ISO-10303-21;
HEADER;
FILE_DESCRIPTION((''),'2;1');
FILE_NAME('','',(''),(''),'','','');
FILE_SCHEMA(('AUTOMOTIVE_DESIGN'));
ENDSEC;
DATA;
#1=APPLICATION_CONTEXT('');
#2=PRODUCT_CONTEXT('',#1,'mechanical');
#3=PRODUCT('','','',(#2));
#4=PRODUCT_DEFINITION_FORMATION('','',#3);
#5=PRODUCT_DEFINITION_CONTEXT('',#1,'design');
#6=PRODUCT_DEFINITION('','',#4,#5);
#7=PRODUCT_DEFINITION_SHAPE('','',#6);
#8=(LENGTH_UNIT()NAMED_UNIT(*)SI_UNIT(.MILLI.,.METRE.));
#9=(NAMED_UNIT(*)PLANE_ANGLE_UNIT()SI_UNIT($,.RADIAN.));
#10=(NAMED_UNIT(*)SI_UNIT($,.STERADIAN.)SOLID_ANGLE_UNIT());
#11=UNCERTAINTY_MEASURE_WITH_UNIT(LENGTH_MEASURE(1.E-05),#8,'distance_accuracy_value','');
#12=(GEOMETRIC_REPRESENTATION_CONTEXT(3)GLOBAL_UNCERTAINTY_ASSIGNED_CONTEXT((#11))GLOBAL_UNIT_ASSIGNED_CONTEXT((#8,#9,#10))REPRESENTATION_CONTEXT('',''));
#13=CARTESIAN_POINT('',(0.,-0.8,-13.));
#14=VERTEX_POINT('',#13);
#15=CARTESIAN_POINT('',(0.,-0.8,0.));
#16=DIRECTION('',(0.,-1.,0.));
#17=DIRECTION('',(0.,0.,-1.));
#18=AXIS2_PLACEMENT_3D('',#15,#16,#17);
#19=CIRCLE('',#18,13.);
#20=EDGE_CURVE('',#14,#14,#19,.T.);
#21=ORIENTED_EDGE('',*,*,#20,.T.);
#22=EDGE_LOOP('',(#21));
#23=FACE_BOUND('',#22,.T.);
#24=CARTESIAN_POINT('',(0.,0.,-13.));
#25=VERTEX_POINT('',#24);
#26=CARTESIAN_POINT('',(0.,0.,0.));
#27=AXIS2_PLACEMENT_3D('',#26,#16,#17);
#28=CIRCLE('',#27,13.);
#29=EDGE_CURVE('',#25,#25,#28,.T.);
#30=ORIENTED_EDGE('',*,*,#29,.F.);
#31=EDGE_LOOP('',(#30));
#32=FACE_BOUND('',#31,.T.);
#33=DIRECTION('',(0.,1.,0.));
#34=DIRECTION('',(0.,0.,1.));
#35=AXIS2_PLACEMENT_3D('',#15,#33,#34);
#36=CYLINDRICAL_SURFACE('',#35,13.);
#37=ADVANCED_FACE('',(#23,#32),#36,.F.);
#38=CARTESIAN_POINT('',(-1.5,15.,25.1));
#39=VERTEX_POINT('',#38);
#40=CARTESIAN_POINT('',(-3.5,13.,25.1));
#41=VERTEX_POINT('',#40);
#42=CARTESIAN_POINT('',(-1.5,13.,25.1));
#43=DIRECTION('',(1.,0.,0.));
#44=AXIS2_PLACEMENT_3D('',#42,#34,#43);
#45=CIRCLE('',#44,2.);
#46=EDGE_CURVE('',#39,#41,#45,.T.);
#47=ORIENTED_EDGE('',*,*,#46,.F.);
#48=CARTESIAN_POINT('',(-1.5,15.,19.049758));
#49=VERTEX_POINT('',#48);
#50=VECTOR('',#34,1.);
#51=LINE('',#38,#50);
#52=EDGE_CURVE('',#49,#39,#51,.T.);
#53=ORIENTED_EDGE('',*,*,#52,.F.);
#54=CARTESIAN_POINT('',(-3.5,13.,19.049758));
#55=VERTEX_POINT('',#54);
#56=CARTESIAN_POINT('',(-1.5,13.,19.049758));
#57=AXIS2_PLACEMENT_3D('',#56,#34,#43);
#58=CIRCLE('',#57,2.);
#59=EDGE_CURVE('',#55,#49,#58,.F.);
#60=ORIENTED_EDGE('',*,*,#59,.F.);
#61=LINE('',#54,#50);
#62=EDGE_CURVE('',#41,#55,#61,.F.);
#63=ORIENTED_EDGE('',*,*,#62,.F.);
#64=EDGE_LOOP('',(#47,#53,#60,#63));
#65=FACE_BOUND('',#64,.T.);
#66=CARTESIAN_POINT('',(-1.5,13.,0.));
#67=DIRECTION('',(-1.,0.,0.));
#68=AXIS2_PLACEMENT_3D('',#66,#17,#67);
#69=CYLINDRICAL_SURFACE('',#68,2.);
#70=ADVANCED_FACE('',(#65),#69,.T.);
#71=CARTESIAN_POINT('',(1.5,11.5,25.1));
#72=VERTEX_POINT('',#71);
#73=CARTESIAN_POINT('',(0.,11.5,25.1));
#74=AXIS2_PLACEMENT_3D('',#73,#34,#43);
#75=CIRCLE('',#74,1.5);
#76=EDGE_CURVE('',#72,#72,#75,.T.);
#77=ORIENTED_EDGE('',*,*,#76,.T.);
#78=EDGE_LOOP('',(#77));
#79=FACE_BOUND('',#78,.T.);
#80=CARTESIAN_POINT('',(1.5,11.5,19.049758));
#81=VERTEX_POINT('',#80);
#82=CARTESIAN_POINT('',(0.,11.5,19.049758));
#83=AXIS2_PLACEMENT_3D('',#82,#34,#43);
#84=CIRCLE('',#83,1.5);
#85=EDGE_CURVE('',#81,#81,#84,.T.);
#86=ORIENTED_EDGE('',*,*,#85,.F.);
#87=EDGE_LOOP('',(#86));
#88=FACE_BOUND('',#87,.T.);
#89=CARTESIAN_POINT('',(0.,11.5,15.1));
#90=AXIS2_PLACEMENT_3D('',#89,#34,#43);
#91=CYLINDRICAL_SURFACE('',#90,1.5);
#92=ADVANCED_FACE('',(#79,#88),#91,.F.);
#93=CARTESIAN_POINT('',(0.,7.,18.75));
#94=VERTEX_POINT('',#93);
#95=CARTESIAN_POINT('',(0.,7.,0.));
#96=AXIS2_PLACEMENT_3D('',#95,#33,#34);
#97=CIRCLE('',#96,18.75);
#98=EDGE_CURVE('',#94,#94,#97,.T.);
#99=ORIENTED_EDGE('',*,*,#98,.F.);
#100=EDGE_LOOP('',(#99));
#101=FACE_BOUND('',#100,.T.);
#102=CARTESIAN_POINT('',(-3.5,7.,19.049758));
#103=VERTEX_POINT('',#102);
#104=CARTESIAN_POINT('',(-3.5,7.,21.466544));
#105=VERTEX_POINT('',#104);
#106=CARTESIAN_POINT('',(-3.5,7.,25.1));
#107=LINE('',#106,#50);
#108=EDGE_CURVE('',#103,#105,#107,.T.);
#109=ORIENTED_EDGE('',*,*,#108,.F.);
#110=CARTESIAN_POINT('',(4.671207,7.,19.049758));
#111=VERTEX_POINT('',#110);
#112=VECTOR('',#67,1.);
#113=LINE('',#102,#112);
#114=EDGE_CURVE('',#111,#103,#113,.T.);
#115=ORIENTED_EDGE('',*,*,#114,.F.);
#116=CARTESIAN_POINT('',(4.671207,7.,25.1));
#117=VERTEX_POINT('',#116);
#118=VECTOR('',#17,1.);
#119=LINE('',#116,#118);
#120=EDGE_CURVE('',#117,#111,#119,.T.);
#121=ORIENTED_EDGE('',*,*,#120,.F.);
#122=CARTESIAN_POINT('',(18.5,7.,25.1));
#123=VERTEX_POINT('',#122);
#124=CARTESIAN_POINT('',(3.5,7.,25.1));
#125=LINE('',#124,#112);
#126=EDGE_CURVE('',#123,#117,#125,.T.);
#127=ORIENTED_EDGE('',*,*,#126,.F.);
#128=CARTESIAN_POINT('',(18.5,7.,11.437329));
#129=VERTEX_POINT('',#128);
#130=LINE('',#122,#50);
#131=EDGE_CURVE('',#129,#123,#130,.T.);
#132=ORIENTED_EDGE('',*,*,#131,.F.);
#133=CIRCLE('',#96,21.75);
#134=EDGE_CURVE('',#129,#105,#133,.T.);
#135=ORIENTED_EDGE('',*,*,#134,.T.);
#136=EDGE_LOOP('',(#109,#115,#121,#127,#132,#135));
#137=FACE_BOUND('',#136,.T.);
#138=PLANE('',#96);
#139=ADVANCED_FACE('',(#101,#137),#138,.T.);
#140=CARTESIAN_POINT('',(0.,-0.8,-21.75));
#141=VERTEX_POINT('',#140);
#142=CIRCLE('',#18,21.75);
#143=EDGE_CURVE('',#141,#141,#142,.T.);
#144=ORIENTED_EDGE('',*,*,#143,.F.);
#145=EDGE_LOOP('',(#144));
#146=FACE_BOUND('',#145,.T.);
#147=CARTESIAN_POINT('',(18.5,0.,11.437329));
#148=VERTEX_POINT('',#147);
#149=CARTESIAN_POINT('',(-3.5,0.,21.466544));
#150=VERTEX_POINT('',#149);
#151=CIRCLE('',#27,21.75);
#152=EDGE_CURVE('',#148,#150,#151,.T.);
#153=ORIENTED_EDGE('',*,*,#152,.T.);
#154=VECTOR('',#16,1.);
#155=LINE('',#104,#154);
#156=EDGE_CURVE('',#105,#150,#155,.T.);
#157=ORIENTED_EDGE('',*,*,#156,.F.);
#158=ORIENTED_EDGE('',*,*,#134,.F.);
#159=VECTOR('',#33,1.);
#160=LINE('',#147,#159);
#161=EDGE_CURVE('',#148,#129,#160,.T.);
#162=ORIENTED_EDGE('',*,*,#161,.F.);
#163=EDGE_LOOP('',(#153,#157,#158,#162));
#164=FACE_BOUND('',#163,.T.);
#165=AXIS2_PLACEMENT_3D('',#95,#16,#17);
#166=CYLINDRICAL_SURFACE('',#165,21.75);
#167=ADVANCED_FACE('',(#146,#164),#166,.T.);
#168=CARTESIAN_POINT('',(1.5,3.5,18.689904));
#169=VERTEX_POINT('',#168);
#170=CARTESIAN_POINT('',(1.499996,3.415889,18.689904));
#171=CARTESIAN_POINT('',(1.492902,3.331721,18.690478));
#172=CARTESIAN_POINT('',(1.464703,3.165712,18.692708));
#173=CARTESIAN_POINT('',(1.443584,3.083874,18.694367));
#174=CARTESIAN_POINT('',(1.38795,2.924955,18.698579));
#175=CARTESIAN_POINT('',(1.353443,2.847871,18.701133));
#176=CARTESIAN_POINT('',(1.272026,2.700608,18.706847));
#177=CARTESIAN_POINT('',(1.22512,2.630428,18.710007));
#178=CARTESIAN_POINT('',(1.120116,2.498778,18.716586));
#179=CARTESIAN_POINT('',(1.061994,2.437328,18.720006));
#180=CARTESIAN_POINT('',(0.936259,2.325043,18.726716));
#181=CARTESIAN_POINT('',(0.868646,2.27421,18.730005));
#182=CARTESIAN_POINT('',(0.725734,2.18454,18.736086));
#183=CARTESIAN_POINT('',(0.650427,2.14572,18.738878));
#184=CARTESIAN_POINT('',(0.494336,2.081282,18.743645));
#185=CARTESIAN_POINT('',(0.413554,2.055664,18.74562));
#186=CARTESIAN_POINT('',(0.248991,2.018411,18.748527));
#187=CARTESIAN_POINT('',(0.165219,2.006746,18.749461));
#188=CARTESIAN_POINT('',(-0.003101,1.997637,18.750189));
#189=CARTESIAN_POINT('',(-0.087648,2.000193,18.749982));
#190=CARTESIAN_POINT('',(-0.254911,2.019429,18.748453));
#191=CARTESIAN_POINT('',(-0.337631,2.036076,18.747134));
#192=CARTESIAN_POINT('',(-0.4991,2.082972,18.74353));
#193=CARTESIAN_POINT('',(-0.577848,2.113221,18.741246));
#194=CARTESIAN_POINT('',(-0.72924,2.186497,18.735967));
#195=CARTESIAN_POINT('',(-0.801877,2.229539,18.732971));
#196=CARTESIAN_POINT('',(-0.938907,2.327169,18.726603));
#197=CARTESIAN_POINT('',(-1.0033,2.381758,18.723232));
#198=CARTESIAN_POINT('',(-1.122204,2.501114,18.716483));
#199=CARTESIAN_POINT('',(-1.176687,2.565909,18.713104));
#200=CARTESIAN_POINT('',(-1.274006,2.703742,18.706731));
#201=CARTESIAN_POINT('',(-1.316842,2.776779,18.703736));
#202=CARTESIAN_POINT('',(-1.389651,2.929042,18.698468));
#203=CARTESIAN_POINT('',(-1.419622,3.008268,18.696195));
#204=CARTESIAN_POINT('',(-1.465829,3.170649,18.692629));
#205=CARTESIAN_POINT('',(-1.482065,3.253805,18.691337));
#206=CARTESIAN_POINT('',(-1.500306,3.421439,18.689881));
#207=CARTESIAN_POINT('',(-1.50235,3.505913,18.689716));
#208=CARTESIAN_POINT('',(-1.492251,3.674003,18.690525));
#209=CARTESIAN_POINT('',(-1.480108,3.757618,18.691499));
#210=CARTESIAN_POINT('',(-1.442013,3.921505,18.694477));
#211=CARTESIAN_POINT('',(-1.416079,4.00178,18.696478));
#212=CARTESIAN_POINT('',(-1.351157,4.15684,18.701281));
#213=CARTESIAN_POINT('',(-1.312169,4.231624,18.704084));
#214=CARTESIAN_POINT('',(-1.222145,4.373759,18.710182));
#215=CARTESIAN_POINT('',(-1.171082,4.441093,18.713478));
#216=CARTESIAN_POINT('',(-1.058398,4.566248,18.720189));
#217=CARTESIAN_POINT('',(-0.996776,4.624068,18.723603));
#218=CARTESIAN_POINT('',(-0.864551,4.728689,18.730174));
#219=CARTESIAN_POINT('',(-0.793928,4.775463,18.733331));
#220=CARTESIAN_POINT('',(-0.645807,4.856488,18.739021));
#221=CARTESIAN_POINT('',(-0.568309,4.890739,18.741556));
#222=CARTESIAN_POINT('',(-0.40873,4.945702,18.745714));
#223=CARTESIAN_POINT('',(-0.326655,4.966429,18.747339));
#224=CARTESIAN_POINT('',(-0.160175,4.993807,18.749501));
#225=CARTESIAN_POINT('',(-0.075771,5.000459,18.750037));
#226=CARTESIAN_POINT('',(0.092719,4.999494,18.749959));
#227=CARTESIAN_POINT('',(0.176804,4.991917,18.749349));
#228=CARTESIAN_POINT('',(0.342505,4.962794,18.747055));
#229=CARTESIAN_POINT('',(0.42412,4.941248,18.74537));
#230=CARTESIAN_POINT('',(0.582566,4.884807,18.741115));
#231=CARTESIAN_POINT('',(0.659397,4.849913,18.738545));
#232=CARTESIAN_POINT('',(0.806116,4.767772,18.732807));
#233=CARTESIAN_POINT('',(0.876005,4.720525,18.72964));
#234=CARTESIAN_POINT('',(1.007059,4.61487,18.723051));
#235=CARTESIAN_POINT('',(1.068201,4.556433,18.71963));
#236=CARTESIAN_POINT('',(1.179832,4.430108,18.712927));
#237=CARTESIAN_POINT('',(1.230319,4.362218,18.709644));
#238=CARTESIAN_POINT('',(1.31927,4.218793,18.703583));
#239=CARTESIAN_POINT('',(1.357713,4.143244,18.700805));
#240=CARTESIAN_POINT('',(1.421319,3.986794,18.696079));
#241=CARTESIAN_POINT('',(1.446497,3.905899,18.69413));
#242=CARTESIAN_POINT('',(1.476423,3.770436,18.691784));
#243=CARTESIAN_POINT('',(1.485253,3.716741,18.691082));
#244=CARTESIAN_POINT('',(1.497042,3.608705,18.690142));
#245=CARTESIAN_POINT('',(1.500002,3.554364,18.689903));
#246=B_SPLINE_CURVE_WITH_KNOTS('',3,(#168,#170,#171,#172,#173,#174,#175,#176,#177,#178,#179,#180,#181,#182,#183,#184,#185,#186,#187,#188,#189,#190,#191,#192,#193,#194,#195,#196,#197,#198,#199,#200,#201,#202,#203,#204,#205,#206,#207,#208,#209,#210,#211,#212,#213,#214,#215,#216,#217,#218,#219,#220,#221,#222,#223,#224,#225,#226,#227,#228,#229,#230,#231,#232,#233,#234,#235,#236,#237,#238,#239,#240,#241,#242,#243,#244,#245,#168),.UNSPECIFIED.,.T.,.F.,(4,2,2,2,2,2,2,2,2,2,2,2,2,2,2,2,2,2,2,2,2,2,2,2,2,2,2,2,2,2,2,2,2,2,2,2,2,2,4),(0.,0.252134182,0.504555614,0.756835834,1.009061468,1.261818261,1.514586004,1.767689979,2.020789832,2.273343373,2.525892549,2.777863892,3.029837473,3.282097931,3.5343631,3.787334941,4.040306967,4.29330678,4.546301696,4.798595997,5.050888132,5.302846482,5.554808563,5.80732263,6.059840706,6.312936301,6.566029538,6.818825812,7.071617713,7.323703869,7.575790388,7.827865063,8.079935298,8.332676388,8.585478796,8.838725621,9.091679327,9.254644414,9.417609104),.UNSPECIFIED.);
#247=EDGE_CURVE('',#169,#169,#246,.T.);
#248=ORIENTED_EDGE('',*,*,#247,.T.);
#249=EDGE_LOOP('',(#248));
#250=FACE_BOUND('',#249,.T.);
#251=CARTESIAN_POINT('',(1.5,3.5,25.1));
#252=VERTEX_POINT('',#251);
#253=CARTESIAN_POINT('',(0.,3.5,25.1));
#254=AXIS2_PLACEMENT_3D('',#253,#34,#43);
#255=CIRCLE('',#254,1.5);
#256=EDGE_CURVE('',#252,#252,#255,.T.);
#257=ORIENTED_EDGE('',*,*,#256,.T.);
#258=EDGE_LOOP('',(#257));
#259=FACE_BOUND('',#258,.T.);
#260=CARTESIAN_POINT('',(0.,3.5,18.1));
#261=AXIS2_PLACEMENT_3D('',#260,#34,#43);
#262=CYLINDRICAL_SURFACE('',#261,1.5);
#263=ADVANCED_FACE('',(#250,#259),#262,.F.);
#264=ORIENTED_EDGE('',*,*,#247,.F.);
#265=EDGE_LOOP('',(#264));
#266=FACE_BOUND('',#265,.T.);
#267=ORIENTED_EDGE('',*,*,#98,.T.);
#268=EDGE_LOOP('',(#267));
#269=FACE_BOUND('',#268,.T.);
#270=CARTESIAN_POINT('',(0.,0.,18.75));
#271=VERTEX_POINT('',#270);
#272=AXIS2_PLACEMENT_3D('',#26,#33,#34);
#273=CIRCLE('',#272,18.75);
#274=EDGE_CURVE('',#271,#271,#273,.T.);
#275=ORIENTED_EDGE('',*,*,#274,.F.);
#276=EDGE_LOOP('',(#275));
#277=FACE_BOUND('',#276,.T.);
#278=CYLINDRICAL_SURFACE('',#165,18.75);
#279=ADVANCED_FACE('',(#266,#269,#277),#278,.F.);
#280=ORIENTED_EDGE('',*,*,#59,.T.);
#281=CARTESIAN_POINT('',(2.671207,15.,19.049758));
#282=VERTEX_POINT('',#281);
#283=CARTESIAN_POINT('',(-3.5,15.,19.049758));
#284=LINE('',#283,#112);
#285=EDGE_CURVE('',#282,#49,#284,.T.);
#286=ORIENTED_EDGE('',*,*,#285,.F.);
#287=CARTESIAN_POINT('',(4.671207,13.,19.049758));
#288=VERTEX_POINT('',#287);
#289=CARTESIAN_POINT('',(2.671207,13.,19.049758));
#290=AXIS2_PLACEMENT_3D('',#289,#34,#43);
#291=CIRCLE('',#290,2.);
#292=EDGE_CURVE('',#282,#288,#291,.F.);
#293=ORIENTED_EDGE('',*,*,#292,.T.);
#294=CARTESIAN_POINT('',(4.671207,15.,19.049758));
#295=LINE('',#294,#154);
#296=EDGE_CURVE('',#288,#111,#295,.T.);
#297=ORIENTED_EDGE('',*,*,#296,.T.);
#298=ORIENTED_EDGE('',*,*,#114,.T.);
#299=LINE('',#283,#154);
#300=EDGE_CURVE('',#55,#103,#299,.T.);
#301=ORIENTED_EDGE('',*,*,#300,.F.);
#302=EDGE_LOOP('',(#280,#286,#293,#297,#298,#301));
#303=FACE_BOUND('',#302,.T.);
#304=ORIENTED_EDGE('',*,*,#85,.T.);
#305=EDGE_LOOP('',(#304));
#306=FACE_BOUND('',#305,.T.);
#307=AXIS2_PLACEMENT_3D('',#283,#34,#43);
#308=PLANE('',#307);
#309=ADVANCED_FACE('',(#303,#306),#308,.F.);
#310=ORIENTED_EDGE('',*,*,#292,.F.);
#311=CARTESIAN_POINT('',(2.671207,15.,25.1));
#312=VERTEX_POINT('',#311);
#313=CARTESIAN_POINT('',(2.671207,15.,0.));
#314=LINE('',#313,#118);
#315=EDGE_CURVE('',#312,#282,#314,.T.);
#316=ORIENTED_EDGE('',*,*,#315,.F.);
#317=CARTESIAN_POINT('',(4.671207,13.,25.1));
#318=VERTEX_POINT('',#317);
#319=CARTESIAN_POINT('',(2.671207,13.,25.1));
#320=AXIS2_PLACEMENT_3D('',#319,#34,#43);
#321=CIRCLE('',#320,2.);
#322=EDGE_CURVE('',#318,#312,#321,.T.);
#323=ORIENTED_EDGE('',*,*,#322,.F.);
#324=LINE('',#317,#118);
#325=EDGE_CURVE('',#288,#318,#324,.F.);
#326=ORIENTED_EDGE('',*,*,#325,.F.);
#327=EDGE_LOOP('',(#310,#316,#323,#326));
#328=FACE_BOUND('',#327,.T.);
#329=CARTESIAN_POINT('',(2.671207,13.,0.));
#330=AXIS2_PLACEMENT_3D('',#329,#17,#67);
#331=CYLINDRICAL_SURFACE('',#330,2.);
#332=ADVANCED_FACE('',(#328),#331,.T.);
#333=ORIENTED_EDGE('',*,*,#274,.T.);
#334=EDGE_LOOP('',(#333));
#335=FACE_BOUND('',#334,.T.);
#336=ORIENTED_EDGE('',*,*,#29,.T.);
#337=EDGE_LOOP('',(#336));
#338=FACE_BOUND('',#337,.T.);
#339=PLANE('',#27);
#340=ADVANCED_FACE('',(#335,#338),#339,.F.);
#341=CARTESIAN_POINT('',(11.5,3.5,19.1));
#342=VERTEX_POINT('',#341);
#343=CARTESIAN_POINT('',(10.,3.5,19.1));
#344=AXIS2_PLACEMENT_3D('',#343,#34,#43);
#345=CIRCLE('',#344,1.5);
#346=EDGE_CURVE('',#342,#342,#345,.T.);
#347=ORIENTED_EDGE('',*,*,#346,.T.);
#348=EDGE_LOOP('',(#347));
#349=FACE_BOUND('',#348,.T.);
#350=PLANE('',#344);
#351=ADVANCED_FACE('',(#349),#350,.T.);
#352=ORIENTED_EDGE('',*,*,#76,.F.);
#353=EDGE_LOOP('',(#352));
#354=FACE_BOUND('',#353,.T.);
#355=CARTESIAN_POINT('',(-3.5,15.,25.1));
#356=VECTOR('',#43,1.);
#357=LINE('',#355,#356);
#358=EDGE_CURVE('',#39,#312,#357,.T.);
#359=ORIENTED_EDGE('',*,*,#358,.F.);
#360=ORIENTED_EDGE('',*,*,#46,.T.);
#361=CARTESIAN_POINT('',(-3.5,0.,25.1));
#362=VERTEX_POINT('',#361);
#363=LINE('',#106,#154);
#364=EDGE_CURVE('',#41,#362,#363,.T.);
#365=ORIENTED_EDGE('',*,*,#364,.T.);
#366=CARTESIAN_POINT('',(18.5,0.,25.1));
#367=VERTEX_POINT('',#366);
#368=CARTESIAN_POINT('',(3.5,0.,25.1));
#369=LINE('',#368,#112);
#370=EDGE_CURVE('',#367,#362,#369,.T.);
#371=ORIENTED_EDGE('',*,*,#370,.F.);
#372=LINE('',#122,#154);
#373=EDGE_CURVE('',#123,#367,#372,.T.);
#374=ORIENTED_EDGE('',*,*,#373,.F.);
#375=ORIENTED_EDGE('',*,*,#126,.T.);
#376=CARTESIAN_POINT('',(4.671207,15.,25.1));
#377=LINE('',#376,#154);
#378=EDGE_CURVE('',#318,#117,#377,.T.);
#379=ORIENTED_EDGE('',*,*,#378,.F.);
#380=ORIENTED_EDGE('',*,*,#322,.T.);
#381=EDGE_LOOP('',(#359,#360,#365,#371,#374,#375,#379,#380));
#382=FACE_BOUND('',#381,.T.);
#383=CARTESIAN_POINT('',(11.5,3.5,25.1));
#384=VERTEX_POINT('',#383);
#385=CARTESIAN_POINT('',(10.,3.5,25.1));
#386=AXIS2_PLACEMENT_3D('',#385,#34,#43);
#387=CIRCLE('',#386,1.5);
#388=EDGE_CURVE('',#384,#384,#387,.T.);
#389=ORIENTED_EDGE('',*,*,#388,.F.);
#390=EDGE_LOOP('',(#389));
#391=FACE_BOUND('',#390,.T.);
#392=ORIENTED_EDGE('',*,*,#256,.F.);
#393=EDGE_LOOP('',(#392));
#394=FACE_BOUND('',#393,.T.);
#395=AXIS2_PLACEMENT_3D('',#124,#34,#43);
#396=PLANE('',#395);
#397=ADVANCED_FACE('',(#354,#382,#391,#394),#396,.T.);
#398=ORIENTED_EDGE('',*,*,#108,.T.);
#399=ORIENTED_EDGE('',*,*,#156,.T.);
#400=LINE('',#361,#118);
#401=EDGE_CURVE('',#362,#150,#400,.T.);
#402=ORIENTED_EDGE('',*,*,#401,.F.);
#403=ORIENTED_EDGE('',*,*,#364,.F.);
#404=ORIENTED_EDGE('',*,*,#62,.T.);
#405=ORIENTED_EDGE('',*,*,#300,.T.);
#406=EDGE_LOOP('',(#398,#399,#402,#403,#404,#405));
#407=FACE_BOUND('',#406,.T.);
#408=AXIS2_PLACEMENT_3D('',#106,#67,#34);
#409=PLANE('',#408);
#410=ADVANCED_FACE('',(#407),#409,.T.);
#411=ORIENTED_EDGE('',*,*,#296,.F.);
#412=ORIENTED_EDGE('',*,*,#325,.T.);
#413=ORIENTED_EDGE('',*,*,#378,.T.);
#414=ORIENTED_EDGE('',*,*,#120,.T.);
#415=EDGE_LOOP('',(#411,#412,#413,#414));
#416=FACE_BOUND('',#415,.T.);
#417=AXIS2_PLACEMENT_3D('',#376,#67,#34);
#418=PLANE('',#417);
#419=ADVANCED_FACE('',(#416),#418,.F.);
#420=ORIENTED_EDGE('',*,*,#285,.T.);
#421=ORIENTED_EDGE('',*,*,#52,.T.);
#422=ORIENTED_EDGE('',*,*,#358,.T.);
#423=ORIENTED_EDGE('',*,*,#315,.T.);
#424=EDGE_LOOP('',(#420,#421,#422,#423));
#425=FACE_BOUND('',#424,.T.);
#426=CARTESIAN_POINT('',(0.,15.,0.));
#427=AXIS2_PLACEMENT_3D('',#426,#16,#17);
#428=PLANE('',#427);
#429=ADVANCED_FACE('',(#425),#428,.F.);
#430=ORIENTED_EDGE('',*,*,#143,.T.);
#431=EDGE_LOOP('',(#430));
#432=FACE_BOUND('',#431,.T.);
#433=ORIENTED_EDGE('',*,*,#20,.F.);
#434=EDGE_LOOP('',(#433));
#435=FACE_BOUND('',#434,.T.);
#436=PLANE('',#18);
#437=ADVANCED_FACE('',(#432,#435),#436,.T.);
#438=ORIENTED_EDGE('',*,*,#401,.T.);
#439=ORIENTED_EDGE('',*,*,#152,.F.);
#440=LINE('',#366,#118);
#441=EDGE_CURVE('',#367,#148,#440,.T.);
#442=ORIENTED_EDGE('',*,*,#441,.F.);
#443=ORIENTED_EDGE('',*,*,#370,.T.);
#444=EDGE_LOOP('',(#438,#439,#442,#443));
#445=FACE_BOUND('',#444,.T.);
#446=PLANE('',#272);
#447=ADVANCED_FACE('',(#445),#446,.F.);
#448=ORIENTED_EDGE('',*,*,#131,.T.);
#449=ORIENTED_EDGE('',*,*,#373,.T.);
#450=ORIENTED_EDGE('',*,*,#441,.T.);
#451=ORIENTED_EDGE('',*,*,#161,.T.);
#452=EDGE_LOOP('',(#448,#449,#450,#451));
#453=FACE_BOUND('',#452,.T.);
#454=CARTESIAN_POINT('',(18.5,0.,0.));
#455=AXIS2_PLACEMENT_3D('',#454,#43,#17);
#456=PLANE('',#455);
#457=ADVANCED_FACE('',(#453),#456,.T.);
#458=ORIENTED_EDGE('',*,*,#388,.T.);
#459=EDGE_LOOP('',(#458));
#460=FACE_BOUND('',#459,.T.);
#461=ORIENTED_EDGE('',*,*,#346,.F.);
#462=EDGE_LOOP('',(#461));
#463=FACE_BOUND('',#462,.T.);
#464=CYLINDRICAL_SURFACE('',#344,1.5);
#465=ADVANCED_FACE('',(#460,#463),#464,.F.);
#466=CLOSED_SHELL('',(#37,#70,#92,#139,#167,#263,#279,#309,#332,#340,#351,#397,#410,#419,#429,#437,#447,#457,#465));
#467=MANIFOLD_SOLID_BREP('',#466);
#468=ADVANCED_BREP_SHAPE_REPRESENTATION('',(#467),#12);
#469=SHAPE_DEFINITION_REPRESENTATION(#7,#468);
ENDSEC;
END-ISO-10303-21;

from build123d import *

# Parameters (mm, degrees)
SKETCH1_R           = 18.75
BOSS_EXTRUDE1_DEPTH = 7
SKETCH2_R           = 1.5
CUT_EXTRUDE1_DEPTH  = 7
SKETCH3_R           = 21.75
SKETCH3_R_2         = 13
BOSS_EXTRUDE2_DEPTH = 0.8
SKETCH5_W           = 3.633456263
SKETCH5_H           = 7
BOSS_EXTRUDE4_DEPTH = 15
BOSS_EXTRUDE5_DEPTH = 7
SKETCH7_R           = 1.5
CUT_EXTRUDE2_DEPTH  = 6
SKETCH8_W           = 8.171206901
SKETCH8_H           = 6.05024239
BOSS_EXTRUDE6_DEPTH = 8
SKETCH9_R           = 1.5
CUT_EXTRUDE3_DEPTH  = 10
FILLET1_R           = 2


with BuildPart() as part:
    # Sketch1 → Boss-Extrude1 (new body)
    with BuildSketch(Plane(origin=(0, 0, 0), x_dir=(1, 0, 0), z_dir=(0, 1, 0))):
        with BuildLine():
            Line((3.5, -25.1), (-3.5, -25.1))
            Line((-3.5, -25.1), (-3.5, -21.466543737))
            ThreePointArc((-3.5, -21.466543737), (0, 21.75), (3.5, -21.466543737))
            Line((3.5, -21.466543737), (3.5, -25.1))
        make_face()
        Circle(SKETCH1_R, mode=Mode.SUBTRACT)
    extrude(amount=BOSS_EXTRUDE1_DEPTH)

    # Sketch2 → Cut-Extrude1 (cut)
    with BuildSketch(Plane.XY.offset(25.1)):
        with Locations((0, 3.5)):
            Circle(SKETCH2_R)
    extrude(amount=-CUT_EXTRUDE1_DEPTH, mode=Mode.SUBTRACT)

    # Sketch3 → Boss-Extrude2 (add)
    with BuildSketch(Plane.XZ):
        Circle(SKETCH3_R)
        Circle(SKETCH3_R_2, mode=Mode.SUBTRACT)
    extrude(amount=BOSS_EXTRUDE2_DEPTH)

    # Sketch5 → Boss-Extrude4 (add)
    with BuildSketch(Plane(origin=(3.5, 0, 0), x_dir=(0, 0, -1), z_dir=(1, 0, 0))):
        with Locations((-23.283271869, 3.5)):
            Rectangle(SKETCH5_W, SKETCH5_H)
    extrude(amount=BOSS_EXTRUDE4_DEPTH)

    # Sketch6 → Boss-Extrude5 (add)
    with BuildSketch(Plane(origin=(0, 7, 0), x_dir=(1, 0, 0), z_dir=(0, 1, 0))):
        Polygon((18.5, -25.1), (18.5, -11.437329234), (3.5, -21.466543737), (3.5, -25.1), align=None)
    extrude(amount=-BOSS_EXTRUDE5_DEPTH)

    # Sketch7 → Cut-Extrude2 (cut)
    with BuildSketch(Plane.XY.offset(25.1)):
        with Locations((10, 3.5)):
            Circle(SKETCH7_R)
    extrude(amount=-CUT_EXTRUDE2_DEPTH, mode=Mode.SUBTRACT)

    # Sketch8 → Boss-Extrude6 (add)
    with BuildSketch(Plane(origin=(0, 7, 0), x_dir=(1, 0, 0), z_dir=(0, 1, 0))):
        with Locations((0.585603451, -22.074878805)):
            Rectangle(SKETCH8_W, SKETCH8_H)
    extrude(amount=BOSS_EXTRUDE6_DEPTH)

    # Sketch9 → Cut-Extrude3 (cut)
    with BuildSketch(Plane.XY.offset(25.1)):
        with Locations((0, 11.5)):
            Circle(SKETCH9_R)
    extrude(amount=-CUT_EXTRUDE3_DEPTH, mode=Mode.SUBTRACT)

    # Fillet1
    fillet1_edges = [part.edges().sort_by_distance(p)[0] for p in [
        (-3.5, 15, 22.074878805),
        (4.671206901, 15, 22.074878805),
    ]]
    fillet(fillet1_edges, radius=FILLET1_R)


solid = part.part
